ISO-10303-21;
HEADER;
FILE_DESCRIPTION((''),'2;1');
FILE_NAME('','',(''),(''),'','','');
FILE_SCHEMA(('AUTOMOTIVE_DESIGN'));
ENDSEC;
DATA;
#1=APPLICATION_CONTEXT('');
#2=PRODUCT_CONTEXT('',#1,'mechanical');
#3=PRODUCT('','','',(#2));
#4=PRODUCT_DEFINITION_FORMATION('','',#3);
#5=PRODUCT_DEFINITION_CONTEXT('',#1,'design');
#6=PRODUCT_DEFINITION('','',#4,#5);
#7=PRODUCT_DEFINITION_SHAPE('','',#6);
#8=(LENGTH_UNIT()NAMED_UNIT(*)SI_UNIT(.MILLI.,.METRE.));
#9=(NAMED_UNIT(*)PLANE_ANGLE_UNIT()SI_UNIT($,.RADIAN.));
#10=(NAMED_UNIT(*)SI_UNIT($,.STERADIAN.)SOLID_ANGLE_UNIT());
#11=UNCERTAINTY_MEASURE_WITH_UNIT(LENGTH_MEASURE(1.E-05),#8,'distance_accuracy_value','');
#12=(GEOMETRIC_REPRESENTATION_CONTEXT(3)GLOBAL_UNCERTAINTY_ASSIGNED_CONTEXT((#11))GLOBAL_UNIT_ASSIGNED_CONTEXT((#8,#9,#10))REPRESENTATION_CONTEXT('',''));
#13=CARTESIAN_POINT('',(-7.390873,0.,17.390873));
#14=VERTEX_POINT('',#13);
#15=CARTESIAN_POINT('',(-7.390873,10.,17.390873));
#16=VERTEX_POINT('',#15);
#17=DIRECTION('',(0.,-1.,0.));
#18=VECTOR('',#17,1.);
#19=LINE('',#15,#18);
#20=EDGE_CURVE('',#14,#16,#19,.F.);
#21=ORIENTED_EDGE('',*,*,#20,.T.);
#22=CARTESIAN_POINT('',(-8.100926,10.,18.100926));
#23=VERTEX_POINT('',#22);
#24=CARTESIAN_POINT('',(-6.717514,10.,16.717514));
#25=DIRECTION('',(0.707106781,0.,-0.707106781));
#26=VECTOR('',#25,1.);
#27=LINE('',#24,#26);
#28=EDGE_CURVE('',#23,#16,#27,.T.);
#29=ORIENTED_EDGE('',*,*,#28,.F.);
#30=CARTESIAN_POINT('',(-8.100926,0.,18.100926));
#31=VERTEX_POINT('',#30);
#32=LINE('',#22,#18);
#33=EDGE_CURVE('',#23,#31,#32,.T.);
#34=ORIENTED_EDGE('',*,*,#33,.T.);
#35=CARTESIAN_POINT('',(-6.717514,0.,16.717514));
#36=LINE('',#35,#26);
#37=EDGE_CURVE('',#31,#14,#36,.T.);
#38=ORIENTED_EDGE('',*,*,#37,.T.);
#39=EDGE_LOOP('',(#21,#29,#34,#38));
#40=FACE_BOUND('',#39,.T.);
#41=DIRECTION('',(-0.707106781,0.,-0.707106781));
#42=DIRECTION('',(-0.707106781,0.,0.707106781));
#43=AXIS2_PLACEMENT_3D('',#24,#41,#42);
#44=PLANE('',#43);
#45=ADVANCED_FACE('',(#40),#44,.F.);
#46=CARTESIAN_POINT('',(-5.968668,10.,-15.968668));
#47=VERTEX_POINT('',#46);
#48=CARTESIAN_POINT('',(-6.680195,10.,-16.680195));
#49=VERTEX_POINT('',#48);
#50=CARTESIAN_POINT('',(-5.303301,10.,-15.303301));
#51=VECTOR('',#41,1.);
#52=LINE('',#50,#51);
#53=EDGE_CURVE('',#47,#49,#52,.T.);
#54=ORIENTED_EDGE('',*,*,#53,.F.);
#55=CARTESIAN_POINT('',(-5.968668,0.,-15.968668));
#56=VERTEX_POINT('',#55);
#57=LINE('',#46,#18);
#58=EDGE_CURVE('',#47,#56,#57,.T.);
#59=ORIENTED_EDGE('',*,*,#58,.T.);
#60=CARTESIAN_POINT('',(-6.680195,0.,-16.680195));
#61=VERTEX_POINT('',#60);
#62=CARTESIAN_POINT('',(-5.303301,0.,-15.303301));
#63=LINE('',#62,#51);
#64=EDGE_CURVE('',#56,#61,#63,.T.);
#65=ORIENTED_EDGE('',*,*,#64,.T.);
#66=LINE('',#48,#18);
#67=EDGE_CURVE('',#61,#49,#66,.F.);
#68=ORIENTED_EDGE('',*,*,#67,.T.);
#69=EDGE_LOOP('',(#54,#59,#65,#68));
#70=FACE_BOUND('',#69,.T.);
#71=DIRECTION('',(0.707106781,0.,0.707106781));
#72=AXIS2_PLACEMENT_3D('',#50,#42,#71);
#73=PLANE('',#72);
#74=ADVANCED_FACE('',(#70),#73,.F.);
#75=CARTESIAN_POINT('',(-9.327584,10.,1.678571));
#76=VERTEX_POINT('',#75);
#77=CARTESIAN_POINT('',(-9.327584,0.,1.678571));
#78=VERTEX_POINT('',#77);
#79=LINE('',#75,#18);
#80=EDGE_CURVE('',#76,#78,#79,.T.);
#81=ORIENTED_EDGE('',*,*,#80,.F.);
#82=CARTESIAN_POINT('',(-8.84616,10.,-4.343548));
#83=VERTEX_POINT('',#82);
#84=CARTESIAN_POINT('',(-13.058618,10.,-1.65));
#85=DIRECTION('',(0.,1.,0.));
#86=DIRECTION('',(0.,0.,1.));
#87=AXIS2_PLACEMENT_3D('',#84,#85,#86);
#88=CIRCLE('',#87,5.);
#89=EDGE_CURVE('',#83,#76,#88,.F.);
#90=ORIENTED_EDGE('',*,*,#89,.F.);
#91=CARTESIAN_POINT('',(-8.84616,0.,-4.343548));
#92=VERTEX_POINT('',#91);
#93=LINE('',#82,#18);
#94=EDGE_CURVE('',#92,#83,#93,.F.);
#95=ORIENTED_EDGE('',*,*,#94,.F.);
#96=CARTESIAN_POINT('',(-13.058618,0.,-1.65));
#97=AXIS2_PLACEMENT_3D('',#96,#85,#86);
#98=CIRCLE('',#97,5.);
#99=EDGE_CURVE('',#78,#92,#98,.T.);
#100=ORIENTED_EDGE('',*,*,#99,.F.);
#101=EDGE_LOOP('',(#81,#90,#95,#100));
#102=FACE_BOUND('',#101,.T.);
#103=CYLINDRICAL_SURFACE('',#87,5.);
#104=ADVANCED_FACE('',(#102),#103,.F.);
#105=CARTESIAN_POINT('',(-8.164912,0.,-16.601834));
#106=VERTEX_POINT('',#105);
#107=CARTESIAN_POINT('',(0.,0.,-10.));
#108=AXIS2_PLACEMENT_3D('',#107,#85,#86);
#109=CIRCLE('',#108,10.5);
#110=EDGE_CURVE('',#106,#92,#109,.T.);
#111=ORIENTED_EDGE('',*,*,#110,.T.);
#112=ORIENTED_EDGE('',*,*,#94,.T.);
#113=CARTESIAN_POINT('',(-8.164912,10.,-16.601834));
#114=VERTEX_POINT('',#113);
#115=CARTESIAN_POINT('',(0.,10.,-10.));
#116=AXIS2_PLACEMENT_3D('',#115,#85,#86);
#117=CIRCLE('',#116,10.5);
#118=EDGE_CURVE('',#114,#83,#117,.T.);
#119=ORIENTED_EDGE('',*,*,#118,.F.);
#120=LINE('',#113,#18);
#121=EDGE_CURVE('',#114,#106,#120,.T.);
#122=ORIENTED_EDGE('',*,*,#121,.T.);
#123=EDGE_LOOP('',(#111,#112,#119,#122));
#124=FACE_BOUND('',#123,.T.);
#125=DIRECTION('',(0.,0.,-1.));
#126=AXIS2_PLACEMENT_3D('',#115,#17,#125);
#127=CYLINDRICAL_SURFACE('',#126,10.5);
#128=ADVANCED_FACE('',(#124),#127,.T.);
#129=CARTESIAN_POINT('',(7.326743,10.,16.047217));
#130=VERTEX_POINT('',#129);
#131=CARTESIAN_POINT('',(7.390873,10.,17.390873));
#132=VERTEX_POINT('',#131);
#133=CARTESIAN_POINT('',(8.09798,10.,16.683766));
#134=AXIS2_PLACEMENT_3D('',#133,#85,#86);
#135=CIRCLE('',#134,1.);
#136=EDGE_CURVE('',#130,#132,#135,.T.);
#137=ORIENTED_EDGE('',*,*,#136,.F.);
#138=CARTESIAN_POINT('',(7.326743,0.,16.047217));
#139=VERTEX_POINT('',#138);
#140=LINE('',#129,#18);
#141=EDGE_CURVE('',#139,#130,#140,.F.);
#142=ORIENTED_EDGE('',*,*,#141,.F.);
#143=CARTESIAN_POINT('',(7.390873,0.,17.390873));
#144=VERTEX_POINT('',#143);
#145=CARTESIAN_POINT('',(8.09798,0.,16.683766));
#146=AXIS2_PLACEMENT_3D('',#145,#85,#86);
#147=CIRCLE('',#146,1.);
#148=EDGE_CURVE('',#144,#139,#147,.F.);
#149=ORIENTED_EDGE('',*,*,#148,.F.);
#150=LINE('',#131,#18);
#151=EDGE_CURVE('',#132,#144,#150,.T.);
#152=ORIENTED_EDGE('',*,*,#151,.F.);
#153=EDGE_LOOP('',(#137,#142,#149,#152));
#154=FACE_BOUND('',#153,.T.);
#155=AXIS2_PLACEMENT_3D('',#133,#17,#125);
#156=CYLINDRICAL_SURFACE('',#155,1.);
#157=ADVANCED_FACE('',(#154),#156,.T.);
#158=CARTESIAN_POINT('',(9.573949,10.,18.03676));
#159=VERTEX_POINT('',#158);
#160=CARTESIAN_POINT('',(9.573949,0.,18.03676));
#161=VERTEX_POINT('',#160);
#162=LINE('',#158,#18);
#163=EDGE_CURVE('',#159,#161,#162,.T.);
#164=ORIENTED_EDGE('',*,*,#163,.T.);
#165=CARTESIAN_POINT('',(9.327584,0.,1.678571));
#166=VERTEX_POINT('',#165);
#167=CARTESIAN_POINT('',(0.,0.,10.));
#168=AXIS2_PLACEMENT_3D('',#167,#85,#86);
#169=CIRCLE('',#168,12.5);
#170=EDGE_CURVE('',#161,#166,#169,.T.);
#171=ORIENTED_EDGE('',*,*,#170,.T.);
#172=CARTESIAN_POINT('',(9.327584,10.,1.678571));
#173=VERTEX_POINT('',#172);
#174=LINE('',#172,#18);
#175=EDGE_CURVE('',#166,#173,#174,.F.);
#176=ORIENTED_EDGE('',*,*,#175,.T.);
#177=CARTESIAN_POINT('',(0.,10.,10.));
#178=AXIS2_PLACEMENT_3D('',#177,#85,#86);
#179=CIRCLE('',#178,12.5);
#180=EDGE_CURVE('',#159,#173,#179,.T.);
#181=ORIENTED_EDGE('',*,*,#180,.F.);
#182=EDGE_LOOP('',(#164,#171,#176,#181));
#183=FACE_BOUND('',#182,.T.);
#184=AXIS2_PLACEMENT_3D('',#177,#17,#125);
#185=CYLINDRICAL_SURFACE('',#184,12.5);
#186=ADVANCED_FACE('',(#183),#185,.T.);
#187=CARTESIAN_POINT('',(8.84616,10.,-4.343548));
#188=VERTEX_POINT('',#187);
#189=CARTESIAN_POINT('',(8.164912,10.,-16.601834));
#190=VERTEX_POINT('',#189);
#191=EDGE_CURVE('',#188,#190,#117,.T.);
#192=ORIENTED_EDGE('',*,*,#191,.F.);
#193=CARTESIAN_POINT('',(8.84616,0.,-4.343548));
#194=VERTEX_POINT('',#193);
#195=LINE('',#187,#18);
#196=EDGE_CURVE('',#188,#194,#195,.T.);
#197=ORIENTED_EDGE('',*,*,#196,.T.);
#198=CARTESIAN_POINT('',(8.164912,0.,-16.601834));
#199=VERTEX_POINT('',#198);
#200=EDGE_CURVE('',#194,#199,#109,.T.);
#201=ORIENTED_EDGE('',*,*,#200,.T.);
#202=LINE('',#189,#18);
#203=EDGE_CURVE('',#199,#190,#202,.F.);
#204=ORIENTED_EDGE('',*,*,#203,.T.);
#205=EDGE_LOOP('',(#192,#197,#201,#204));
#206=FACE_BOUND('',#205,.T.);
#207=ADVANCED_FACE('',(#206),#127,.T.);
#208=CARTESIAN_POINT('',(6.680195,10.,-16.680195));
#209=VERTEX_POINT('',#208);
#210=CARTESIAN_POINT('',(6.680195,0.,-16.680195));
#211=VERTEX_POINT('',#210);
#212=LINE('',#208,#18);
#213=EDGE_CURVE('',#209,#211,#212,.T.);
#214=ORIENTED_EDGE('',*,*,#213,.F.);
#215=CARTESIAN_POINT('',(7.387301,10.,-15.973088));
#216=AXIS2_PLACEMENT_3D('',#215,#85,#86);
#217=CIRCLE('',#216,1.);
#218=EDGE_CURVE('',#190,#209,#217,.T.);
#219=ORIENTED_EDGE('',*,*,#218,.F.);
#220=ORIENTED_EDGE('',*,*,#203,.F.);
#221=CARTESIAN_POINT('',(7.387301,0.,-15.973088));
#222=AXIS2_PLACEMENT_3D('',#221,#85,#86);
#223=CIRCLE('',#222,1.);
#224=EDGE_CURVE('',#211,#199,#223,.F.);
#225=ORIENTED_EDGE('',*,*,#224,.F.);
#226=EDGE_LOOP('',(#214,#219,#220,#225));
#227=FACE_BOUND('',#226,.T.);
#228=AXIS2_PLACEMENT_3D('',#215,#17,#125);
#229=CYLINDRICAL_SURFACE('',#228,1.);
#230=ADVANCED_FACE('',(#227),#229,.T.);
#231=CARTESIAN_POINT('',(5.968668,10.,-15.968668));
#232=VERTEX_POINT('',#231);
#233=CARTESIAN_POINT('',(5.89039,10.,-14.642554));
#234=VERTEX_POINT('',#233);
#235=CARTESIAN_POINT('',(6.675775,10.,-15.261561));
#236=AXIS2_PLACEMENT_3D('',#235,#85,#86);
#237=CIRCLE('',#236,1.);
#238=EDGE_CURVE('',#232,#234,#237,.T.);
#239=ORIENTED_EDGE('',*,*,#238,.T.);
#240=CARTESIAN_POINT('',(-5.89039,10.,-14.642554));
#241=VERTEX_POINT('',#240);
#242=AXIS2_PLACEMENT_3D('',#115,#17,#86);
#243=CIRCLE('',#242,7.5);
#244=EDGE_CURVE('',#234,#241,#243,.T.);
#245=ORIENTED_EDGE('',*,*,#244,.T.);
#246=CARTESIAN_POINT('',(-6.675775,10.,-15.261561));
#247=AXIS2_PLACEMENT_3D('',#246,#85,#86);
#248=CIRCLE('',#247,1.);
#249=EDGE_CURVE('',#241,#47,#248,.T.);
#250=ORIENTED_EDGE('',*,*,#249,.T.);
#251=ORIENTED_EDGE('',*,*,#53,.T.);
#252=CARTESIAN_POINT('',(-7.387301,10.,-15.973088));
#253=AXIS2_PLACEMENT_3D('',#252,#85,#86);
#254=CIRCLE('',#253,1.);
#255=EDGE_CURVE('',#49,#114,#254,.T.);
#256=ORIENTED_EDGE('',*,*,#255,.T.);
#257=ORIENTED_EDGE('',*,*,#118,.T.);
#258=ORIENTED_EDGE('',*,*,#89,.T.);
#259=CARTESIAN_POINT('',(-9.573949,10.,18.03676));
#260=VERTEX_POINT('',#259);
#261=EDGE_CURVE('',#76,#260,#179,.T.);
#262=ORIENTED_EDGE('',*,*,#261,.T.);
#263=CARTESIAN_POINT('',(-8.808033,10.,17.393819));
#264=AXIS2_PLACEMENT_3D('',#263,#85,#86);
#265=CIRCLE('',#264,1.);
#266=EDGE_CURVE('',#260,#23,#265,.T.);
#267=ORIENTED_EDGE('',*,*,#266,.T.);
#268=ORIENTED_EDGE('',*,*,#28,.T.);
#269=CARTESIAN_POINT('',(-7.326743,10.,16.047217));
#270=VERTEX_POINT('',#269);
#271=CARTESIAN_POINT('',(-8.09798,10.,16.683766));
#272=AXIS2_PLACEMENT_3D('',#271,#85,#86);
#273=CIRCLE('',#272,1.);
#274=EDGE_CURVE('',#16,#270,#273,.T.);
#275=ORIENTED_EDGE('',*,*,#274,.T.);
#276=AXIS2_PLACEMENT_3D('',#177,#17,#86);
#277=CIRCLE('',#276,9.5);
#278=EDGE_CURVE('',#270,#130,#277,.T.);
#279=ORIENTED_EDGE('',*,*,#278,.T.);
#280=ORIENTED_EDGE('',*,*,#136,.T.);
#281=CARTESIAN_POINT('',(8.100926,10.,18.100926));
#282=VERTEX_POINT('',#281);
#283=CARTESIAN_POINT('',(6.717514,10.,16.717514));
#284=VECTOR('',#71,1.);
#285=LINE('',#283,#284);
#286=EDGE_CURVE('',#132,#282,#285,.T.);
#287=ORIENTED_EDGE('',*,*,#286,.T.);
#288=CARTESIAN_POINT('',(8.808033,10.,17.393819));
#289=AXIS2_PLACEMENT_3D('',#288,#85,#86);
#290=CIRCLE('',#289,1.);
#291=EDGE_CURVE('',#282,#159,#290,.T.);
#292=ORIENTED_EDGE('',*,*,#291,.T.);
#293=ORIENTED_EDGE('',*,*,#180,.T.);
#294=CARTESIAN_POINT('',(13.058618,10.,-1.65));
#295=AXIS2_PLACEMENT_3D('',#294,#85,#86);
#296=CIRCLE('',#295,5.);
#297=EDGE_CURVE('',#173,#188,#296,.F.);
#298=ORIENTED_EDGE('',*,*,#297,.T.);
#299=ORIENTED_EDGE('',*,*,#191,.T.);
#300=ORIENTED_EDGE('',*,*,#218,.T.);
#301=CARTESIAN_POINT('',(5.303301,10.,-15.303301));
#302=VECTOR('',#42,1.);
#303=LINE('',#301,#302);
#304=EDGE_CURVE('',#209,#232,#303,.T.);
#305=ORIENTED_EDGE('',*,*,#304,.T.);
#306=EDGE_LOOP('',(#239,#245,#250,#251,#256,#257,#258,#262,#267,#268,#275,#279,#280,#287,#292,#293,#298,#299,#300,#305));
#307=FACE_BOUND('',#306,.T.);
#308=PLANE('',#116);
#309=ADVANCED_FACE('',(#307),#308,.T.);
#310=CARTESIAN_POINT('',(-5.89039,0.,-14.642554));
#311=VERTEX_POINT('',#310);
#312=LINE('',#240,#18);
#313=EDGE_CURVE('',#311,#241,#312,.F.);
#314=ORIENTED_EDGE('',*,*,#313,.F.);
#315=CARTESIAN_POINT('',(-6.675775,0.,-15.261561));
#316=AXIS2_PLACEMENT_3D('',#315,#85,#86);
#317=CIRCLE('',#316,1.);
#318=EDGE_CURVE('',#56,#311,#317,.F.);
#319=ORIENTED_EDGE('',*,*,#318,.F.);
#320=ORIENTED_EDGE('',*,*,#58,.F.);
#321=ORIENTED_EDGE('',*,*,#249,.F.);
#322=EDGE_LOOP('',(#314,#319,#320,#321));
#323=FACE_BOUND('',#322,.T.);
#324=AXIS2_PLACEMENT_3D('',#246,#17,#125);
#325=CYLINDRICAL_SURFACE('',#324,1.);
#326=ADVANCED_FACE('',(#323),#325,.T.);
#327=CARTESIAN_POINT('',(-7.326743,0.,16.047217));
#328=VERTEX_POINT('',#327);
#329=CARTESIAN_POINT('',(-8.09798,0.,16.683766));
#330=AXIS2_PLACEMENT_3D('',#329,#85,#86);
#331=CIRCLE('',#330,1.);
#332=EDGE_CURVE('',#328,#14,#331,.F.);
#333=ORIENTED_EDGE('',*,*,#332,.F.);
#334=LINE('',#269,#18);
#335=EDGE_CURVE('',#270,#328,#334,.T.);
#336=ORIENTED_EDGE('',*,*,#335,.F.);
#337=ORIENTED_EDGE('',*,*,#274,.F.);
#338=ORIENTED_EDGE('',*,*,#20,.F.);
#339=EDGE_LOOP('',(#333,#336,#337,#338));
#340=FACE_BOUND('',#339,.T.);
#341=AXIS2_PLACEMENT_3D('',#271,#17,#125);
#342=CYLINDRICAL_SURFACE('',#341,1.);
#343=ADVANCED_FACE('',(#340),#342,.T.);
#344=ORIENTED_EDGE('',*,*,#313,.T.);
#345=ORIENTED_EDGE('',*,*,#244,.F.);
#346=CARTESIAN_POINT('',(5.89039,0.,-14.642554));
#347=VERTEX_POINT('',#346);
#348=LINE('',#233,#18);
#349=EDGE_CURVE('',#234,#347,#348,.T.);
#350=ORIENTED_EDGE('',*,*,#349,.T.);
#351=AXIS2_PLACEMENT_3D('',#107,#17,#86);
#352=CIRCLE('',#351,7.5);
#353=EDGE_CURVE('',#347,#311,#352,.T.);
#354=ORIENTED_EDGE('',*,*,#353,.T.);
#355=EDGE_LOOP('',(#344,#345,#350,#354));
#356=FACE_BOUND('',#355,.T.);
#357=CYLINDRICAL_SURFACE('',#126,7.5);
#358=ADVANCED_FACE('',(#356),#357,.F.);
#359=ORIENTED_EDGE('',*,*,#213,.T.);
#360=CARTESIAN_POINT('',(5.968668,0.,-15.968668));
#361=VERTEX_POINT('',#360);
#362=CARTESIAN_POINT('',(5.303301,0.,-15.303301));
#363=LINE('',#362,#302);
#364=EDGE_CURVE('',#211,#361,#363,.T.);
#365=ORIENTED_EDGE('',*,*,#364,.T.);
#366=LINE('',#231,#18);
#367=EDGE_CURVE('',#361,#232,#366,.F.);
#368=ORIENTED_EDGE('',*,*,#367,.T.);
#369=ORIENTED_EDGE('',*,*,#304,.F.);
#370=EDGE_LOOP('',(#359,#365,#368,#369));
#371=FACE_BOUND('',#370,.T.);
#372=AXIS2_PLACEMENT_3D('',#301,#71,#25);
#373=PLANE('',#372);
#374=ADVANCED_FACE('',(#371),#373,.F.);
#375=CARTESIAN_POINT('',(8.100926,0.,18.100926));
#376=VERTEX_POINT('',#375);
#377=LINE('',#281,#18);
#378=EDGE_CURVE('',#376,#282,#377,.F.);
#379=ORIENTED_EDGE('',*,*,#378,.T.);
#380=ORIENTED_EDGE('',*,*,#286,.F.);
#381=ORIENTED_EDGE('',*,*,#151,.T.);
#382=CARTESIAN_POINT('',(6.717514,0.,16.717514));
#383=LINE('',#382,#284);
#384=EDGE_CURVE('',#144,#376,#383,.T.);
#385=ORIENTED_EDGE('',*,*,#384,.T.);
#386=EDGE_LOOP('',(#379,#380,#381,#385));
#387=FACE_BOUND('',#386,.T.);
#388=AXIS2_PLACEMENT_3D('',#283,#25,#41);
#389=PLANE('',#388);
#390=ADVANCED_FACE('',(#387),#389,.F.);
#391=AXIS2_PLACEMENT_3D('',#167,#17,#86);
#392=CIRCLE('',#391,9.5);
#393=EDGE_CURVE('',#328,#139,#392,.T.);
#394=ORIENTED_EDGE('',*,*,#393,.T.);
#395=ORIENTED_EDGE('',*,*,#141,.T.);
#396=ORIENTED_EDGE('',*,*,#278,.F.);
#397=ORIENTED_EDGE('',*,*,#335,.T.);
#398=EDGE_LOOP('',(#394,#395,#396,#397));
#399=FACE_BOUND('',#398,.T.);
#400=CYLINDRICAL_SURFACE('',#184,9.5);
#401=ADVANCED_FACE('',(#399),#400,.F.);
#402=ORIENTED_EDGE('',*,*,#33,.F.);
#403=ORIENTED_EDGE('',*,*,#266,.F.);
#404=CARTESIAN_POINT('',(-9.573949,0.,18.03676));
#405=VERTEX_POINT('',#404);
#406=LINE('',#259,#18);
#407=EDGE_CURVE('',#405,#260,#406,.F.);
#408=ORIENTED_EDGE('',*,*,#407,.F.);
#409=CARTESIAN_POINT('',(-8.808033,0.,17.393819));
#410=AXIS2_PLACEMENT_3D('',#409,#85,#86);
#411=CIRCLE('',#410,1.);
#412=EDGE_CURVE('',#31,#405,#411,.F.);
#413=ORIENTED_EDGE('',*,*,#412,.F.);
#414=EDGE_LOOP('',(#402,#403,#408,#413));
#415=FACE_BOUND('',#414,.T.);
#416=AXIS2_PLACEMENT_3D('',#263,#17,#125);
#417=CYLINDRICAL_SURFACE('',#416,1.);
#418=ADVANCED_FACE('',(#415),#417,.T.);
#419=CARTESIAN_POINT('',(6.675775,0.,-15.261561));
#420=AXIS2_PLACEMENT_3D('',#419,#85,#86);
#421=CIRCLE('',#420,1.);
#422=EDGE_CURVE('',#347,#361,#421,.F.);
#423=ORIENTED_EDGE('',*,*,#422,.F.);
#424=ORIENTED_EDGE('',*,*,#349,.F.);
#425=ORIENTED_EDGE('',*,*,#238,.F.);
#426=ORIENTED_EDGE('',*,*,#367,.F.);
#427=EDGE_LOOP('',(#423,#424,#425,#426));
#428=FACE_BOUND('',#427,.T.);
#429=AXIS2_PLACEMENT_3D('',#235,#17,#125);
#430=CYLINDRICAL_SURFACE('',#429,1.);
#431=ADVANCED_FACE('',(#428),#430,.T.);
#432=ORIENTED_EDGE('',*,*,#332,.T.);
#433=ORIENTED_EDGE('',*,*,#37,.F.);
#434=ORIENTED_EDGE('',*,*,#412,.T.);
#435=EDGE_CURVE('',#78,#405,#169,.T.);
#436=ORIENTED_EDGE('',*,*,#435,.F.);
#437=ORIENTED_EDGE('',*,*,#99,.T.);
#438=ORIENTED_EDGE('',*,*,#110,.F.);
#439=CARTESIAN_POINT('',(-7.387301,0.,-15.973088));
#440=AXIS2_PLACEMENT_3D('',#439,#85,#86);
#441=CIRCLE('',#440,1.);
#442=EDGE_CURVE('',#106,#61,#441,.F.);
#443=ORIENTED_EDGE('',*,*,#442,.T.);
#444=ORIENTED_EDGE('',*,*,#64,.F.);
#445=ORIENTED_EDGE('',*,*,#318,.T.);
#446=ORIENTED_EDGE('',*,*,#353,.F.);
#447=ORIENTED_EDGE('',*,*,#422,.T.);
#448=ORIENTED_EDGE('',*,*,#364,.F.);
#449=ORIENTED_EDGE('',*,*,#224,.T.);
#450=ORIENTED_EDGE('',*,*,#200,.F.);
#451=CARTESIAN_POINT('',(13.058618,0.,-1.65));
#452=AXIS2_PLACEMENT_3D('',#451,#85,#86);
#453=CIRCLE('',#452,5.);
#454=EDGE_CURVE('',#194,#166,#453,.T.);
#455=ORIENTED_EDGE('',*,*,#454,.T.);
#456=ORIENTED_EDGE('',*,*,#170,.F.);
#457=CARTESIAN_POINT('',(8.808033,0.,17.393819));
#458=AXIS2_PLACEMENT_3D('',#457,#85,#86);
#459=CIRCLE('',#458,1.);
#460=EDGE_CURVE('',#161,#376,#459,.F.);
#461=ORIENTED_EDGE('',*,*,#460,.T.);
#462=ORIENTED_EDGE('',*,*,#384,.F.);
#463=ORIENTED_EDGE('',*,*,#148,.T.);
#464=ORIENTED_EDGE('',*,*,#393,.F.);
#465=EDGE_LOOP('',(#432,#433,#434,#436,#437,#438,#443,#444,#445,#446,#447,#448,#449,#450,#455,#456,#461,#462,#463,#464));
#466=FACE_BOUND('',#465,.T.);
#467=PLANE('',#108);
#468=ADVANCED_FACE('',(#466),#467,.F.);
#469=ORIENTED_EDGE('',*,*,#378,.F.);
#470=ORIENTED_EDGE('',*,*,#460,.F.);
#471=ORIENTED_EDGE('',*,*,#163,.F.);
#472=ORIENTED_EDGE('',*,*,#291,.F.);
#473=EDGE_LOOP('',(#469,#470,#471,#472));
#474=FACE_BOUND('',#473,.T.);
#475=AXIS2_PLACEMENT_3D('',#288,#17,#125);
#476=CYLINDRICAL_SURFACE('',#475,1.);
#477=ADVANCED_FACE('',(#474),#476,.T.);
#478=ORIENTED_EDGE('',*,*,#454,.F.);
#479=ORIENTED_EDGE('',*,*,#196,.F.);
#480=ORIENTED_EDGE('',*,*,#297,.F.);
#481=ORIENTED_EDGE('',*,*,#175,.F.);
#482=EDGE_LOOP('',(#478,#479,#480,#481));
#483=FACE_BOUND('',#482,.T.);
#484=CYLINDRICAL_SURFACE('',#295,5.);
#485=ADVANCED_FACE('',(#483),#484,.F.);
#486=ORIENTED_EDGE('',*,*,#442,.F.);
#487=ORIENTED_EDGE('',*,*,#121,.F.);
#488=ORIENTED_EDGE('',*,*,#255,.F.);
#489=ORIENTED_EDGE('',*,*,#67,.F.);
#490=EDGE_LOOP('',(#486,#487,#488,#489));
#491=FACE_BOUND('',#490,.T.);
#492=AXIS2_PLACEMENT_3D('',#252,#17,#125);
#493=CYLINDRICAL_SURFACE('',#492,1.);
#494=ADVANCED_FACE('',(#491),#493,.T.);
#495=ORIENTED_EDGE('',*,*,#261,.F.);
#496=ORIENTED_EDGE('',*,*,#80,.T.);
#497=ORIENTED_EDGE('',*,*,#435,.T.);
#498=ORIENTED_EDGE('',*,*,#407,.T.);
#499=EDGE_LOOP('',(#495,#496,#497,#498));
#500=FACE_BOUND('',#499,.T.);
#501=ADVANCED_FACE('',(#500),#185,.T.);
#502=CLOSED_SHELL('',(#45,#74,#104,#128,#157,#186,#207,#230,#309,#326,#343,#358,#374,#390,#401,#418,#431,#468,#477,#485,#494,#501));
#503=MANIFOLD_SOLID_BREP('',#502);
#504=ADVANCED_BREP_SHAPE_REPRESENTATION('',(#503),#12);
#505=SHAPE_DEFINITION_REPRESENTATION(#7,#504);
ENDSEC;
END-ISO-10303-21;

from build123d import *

# Parameters (mm, degrees)
BOSS_EXTRUDE1_DEPTH = 10
FILLET1_R           = 1
FILLET2_R           = 5


with BuildPart() as part:
    # Sketch1 → Boss-Extrude1 (new body)
    with BuildSketch(Plane(origin=(0, 0, 0), x_dir=(1, 0, 0), z_dir=(0, 1, 0))):
        with BuildLine():
            Line((-5.303300859, 15.303300859), (-7.424621202, 17.424621202))
            ThreePointArc((-7.424621202, 17.424621202), (-10.438158184, 8.862083601), (-5.650442461, 1.15))
            ThreePointArc((-5.650442461, 1.15), (-12.343952667, -8.031032616), (-8.838834765, -18.838834765))
            Line((-8.838834765, -18.838834765), (-6.717514421, -16.717514421))
            ThreePointArc((-6.717514421, -16.717514421), (0, -0.5), (6.717514421, -16.717514421))
            Line((6.717514421, -16.717514421), (8.838834765, -18.838834765))
            ThreePointArc((8.838834765, -18.838834765), (12.343952667, -8.031032616), (5.650442461, 1.15))
            ThreePointArc((5.650442461, 1.15), (10.438158184, 8.862083601), (7.424621202, 17.424621202))
            Line((7.424621202, 17.424621202), (5.303300859, 15.303300859))
            ThreePointArc((5.303300859, 15.303300859), (0, 2.5), (-5.303300859, 15.303300859))
        make_face()
    extrude(amount=BOSS_EXTRUDE1_DEPTH)

    # Fillet1
    fillet1_edges = [part.edges().sort_by_distance(p)[0] for p in [
        (5.303300859, 5, -15.303300859),
        (7.424621202, 5, -17.424621202),
        (8.838834765, 5, 18.838834765),
        (6.717514421, 5, 16.717514421),
        (-6.717514421, 5, 16.717514421),
        (-8.838834765, 5, 18.838834765),
        (-7.424621202, 5, -17.424621202),
        (-5.303300859, 5, -15.303300859),
    ]]
    fillet(fillet1_edges, radius=FILLET1_R)

    # Fillet2
    fillet2_edges = [part.edges().sort_by_distance(p)[0] for p in [
        (5.650442461, 5, -1.15),
        (-5.650442461, 5, -1.15),
    ]]
    fillet(fillet2_edges, radius=FILLET2_R)


solid = part.part
